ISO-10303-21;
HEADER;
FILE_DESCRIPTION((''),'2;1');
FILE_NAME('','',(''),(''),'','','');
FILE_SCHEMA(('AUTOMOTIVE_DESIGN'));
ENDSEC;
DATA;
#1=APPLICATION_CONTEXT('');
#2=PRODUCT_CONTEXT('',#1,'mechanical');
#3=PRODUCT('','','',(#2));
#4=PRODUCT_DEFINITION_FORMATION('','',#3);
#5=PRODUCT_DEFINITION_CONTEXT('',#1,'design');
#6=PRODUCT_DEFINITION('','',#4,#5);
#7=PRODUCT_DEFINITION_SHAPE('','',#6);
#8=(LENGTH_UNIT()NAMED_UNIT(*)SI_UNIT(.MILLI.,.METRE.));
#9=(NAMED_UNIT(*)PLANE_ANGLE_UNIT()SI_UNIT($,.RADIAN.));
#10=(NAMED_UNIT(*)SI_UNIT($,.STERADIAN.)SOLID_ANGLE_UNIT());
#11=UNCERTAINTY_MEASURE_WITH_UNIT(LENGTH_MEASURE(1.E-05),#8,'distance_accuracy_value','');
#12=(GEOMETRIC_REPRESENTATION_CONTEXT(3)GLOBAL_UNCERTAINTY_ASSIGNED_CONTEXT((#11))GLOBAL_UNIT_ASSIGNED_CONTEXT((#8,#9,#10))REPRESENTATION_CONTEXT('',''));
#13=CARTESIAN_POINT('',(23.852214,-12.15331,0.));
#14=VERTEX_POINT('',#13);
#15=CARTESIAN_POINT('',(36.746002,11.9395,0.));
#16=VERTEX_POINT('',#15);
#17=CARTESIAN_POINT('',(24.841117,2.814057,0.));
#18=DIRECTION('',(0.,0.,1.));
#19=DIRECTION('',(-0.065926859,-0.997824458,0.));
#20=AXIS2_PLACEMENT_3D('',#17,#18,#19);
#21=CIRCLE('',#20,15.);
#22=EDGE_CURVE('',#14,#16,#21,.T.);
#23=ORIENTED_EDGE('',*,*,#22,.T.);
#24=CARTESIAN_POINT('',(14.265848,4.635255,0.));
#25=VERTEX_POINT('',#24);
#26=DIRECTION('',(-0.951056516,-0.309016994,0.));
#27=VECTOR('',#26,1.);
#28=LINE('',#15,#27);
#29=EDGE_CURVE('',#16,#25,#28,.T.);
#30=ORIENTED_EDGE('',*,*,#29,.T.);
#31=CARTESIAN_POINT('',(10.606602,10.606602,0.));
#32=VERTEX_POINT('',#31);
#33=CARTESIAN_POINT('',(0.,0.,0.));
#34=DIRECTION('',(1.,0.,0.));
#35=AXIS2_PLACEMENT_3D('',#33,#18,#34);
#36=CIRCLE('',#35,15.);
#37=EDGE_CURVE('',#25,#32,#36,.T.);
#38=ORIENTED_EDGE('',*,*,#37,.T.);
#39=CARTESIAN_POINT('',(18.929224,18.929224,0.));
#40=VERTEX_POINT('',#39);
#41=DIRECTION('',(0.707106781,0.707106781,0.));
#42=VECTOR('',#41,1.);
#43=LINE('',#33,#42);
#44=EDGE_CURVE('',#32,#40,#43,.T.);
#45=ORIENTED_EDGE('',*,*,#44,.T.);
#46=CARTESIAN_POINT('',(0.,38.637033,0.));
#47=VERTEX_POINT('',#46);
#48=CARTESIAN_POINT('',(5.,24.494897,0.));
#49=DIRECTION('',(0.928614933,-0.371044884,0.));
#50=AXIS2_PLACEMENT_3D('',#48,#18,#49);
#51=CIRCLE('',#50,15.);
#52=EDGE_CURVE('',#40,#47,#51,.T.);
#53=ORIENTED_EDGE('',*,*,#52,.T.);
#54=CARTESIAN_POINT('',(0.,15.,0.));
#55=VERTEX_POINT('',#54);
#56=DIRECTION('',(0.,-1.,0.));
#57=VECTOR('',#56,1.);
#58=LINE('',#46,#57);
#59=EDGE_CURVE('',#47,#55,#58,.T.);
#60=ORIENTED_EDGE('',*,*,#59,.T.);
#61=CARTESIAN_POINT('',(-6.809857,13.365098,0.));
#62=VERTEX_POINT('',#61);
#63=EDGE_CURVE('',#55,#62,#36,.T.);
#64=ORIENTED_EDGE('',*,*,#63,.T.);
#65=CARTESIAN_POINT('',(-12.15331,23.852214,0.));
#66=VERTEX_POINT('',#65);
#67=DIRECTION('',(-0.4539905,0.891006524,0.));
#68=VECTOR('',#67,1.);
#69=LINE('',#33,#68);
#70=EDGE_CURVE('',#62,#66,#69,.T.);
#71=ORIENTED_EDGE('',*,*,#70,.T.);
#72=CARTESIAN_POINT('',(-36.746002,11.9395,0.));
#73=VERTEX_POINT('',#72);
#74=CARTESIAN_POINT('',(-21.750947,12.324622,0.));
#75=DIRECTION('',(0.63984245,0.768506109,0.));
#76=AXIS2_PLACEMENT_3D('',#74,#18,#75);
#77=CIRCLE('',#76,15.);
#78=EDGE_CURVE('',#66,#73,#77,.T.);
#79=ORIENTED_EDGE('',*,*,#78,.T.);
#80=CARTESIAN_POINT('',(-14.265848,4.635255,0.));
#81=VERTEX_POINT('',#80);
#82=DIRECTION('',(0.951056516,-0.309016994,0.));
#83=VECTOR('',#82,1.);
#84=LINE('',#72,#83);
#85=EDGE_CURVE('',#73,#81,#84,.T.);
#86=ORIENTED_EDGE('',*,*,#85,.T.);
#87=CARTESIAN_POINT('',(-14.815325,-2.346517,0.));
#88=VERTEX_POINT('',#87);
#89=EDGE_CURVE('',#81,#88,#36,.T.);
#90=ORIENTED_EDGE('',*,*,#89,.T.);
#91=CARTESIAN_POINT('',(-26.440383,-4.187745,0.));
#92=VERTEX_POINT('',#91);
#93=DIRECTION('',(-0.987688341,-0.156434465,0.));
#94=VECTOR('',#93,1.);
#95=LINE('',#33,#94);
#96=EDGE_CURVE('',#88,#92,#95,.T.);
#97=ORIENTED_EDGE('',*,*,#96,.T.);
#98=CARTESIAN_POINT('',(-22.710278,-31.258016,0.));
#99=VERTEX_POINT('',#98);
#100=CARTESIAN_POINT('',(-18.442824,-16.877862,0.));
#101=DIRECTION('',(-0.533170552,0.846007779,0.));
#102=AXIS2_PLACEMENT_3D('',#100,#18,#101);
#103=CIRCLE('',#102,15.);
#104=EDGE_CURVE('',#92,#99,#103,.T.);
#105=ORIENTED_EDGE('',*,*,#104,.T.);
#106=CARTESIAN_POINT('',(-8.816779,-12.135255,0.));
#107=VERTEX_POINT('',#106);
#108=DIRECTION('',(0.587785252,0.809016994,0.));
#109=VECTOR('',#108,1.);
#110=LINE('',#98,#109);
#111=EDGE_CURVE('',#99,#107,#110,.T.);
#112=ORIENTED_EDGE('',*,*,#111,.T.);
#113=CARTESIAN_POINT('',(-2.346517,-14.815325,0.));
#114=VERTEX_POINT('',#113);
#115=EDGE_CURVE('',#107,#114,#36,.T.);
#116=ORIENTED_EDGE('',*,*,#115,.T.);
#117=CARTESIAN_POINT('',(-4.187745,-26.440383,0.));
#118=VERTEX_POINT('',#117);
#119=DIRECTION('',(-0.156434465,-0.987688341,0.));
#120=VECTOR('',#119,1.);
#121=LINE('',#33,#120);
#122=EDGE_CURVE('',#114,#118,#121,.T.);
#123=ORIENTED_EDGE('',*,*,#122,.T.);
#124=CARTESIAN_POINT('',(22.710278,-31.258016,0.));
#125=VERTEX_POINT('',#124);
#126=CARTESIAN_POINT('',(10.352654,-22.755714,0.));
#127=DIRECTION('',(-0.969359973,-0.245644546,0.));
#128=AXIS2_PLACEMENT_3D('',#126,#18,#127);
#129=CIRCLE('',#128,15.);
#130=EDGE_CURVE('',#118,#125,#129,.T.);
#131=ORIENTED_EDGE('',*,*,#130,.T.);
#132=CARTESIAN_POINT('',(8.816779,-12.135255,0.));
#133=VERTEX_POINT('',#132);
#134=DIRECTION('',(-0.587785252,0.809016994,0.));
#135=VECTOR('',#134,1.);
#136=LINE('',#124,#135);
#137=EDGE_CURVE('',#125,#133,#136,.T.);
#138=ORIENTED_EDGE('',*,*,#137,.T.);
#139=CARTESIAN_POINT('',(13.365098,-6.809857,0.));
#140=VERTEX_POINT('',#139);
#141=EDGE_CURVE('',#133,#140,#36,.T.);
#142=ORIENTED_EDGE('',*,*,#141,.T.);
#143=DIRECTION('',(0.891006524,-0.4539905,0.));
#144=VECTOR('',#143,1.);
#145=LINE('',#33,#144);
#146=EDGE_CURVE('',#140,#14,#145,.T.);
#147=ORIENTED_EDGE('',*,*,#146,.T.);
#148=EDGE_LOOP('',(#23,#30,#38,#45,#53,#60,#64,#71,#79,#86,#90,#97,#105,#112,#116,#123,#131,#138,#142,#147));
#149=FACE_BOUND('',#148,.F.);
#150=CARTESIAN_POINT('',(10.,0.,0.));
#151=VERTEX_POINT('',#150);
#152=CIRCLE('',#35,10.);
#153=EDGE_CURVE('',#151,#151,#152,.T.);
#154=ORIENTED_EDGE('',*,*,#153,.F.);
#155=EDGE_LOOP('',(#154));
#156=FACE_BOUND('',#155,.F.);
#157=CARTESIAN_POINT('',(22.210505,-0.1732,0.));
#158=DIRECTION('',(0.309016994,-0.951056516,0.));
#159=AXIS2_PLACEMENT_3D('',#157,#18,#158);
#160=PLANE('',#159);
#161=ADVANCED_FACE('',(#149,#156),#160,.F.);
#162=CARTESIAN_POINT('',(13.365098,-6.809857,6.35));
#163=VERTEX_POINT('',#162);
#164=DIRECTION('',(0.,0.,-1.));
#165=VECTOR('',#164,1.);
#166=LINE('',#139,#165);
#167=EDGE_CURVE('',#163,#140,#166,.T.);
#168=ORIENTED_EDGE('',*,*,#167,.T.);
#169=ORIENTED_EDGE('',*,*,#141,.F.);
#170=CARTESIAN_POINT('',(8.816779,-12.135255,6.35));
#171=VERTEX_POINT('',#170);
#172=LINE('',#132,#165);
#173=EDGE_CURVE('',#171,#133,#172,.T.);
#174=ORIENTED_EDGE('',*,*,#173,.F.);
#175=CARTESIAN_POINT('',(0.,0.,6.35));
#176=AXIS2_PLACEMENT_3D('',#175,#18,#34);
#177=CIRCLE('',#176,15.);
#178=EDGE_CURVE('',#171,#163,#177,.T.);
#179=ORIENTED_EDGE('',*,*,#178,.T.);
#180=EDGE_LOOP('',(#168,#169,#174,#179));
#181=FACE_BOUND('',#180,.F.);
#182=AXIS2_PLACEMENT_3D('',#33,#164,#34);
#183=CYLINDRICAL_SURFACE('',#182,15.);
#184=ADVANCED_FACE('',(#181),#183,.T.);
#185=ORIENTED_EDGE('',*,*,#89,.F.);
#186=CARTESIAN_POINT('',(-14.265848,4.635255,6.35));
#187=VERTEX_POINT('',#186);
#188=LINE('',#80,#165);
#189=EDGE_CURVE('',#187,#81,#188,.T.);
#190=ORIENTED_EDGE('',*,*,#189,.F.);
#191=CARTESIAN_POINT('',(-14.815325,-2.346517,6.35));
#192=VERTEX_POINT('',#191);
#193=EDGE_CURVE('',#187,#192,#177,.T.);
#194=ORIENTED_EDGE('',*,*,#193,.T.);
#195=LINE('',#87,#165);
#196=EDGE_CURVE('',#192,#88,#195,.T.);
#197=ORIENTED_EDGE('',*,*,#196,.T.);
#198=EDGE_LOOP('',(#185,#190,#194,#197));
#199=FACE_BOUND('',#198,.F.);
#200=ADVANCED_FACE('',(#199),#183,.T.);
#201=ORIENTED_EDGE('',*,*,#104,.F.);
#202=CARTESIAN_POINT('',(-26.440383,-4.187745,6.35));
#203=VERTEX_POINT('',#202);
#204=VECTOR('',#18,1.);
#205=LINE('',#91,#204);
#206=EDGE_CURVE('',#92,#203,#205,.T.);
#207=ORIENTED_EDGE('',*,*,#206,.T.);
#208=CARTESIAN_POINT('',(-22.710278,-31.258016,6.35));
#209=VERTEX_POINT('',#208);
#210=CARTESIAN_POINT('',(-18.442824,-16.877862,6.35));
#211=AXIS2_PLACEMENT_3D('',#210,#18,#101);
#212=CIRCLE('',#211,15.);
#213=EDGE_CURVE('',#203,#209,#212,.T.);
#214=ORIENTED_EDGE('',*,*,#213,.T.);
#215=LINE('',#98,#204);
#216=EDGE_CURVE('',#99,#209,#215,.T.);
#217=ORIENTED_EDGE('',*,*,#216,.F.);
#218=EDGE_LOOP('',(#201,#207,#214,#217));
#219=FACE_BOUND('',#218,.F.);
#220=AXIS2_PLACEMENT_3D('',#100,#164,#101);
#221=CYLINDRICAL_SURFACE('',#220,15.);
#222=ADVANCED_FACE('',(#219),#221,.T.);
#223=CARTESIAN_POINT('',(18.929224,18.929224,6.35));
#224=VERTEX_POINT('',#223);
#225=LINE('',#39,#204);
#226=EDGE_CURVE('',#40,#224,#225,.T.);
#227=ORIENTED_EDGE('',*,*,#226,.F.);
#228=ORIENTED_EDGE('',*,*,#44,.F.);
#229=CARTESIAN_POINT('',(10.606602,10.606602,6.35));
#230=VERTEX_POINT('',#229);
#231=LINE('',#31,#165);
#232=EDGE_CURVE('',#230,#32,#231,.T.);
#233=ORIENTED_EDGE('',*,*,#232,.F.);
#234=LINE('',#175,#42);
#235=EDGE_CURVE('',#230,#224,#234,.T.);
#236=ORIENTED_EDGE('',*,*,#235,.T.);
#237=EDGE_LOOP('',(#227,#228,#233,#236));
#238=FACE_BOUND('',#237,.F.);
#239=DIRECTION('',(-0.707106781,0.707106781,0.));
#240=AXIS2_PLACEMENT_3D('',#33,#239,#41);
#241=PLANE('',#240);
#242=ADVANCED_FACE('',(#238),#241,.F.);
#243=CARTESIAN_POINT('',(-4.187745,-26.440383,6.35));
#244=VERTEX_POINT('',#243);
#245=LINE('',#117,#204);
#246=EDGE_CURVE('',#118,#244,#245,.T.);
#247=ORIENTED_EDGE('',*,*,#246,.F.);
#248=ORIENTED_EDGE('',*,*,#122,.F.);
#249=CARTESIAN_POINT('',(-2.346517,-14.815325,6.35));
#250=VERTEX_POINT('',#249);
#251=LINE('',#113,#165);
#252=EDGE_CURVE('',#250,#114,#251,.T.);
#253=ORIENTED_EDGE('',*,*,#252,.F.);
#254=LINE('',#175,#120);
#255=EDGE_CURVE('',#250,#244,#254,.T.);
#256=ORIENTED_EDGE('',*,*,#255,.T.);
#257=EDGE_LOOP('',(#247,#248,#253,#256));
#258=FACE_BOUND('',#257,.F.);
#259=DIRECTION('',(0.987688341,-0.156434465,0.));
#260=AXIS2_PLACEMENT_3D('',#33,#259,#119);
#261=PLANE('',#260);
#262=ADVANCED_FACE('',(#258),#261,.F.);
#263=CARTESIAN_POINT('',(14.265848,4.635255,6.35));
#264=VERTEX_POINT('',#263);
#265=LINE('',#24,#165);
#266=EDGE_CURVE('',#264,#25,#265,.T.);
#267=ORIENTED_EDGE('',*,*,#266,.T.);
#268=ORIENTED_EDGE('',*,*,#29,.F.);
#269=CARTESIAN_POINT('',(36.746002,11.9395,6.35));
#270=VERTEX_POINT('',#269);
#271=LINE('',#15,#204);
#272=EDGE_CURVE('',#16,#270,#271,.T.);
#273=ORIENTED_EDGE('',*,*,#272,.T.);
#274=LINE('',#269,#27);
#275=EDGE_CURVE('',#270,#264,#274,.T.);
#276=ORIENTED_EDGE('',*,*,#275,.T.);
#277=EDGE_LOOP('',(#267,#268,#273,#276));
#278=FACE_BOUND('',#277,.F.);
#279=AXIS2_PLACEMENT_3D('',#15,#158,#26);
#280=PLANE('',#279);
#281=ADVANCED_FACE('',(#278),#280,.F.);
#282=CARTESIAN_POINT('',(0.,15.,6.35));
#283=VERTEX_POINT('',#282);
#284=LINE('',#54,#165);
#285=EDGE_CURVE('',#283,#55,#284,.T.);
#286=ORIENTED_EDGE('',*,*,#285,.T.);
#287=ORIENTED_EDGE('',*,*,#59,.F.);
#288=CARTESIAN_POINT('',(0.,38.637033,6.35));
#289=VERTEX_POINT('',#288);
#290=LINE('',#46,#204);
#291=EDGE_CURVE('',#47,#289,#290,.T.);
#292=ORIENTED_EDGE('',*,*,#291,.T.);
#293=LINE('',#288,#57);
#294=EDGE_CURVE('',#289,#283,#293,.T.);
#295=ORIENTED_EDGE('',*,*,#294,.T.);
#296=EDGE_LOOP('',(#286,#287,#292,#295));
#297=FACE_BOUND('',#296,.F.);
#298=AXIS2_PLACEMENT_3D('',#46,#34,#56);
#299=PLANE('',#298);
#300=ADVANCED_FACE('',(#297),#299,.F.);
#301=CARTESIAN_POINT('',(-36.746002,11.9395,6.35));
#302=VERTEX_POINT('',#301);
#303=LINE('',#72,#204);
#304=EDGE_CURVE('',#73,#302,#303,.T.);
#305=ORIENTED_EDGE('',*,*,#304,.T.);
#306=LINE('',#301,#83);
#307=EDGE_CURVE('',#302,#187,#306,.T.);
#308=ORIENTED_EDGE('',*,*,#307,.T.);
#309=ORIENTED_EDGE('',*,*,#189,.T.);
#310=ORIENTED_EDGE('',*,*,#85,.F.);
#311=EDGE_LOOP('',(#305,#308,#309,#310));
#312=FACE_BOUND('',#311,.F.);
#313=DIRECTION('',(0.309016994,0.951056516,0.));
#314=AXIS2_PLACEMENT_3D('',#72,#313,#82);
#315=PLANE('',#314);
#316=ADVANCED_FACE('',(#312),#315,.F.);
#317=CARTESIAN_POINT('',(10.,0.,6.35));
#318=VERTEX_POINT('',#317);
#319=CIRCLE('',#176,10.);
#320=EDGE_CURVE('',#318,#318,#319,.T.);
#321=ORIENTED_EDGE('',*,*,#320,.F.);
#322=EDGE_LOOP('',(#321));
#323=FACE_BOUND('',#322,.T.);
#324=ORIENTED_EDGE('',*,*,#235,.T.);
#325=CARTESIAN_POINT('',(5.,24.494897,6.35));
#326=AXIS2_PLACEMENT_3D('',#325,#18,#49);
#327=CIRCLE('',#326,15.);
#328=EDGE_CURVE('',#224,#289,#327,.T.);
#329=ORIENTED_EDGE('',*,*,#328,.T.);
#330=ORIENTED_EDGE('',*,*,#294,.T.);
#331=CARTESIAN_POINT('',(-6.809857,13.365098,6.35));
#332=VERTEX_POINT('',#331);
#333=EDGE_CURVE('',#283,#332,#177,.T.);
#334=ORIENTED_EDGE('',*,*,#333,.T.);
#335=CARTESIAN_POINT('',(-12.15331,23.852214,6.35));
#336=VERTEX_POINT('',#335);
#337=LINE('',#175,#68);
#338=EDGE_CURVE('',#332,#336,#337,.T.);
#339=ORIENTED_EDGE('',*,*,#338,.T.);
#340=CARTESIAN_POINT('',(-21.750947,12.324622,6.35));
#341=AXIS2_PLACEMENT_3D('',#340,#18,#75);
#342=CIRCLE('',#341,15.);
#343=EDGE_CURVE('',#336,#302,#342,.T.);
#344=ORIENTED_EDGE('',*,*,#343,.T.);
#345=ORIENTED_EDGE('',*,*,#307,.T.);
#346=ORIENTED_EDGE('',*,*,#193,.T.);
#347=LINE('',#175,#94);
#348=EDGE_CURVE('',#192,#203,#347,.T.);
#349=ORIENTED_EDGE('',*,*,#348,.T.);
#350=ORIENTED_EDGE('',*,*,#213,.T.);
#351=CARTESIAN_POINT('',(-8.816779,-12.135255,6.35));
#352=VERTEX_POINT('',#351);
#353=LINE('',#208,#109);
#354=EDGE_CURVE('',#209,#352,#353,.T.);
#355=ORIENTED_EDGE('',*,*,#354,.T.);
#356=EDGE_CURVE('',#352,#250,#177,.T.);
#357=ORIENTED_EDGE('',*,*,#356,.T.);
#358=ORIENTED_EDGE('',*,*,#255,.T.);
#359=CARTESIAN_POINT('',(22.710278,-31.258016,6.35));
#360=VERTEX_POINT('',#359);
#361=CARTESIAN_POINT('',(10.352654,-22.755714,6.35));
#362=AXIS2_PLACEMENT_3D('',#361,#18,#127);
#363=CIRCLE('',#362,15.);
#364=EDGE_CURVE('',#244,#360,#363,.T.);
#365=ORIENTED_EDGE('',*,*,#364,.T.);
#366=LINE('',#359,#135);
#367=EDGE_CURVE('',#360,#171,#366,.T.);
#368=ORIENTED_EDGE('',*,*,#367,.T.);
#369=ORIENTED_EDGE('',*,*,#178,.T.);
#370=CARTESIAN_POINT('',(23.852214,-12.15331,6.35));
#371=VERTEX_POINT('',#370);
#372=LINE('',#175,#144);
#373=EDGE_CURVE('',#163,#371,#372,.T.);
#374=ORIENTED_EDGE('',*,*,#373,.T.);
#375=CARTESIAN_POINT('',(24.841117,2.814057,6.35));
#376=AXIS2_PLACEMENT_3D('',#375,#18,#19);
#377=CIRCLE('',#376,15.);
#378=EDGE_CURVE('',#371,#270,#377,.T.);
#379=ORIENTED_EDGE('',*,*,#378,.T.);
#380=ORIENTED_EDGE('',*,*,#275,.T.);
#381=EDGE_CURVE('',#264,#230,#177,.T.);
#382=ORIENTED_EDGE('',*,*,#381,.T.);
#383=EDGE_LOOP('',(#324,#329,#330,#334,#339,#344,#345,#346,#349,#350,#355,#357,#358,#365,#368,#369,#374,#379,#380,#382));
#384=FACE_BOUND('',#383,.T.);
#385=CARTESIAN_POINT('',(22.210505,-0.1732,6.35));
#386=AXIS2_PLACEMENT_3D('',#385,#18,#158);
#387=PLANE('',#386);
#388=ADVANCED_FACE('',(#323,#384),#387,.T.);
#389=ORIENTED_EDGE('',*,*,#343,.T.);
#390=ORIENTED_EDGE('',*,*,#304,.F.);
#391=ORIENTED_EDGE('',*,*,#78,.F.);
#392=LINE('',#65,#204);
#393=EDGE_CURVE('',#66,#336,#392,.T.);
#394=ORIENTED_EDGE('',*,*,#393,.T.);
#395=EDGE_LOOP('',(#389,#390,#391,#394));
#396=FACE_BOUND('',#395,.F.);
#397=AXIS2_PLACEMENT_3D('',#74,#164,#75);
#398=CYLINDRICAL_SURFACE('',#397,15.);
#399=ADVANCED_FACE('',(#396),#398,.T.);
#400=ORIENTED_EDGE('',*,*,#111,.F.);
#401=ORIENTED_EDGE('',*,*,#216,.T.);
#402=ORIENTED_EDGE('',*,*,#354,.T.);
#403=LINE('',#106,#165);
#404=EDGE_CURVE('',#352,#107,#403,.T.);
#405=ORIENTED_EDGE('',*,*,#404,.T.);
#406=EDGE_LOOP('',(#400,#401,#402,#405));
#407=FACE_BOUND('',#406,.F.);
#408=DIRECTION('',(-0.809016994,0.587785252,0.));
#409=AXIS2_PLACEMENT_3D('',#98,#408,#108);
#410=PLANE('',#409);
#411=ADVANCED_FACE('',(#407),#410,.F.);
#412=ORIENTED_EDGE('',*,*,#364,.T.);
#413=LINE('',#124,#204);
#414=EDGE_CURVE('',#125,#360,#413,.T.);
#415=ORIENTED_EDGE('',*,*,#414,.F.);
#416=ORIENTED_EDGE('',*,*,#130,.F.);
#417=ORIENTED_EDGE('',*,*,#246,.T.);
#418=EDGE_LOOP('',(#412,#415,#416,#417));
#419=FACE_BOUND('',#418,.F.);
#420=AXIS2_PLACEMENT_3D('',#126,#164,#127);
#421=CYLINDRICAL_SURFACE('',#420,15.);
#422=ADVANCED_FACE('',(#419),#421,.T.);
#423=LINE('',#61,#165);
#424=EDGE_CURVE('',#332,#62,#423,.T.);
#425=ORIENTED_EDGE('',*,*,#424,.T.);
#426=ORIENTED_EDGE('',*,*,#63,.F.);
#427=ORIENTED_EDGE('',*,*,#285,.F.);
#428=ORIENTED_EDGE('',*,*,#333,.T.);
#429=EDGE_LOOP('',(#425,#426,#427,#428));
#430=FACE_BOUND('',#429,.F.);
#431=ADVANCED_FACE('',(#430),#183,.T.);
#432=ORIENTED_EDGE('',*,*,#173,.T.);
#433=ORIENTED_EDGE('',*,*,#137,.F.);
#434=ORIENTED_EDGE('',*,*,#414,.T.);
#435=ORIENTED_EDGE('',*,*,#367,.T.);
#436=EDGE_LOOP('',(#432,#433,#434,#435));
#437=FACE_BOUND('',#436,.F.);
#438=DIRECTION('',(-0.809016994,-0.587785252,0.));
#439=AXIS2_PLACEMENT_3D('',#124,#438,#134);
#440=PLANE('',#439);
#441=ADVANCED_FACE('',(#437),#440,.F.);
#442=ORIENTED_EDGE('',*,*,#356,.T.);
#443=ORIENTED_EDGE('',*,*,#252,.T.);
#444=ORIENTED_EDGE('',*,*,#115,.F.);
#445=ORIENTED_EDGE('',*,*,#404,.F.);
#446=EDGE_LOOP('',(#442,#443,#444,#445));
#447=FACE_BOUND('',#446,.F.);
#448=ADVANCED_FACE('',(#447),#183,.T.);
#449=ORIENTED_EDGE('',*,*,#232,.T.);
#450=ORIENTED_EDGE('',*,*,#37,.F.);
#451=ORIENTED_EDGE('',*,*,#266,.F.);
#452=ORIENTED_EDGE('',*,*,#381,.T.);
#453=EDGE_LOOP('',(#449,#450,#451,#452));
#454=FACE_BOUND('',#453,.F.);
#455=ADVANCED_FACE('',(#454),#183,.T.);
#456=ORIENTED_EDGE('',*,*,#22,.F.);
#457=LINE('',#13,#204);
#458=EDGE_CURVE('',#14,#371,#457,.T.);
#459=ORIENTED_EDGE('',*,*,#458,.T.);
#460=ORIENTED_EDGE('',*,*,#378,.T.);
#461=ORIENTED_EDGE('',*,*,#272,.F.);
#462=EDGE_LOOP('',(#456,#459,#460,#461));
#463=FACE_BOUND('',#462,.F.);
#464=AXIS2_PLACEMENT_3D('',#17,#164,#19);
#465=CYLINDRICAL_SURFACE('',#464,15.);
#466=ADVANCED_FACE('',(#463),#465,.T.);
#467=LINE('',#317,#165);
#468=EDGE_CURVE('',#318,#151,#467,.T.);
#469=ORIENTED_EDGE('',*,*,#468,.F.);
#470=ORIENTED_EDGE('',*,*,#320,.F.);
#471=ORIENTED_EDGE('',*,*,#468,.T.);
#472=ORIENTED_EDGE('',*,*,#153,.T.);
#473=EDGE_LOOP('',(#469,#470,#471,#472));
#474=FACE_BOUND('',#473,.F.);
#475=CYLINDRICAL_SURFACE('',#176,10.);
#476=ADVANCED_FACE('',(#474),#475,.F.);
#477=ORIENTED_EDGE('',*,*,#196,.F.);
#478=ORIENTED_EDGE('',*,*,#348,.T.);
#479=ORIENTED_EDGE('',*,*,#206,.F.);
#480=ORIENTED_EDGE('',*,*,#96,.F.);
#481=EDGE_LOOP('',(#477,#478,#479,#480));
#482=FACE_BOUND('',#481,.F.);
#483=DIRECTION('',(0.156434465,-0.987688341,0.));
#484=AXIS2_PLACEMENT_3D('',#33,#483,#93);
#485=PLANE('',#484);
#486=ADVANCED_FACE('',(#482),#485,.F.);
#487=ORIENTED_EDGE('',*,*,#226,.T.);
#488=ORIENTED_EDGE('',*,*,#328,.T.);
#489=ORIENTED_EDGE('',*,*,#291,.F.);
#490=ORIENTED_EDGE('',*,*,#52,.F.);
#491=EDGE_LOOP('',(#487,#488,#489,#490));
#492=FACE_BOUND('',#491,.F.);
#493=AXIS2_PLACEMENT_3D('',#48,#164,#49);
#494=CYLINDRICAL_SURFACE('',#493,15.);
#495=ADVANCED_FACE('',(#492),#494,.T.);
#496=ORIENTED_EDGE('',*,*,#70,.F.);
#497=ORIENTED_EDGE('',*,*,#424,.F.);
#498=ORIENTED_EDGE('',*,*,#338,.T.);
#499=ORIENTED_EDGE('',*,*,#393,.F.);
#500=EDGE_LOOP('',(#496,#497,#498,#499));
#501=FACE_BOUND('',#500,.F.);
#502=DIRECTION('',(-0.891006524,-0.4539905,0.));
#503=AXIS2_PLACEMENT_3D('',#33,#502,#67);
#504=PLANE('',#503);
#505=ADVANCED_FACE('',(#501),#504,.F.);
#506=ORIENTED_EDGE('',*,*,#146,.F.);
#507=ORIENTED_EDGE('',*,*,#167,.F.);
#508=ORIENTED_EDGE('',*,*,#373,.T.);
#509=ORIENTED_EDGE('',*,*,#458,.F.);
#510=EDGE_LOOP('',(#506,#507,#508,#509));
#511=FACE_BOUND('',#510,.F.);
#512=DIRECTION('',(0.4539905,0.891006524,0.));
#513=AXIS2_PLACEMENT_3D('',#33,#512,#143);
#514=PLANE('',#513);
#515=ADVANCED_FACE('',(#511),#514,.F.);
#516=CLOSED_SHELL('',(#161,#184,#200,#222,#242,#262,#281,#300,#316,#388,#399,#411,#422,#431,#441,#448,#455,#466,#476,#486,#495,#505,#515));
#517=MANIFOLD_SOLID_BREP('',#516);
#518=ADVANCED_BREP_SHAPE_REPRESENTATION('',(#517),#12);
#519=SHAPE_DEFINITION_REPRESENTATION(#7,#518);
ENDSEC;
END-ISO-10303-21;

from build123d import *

# Parameters (mm, degrees)
F1_DEPTH = 6.35
F2_COUNT = 5
F3_R     = 15
F4_DEPTH = 6.35
F5_R     = 10
F6_DEPTH = 6.351


with BuildPart() as f1:
    # F0 (on Top) → F1 (new body)
    with BuildSketch(Plane.XY):
        with BuildLine():
            Line((0, 38.637033), (0, 0))
            Line((0, 0), (18.929224, 18.929224))
            ThreePointArc((18.929224, 18.929224), (15.818142, 34.885653), (0, 38.637033))
        make_face()
    extrude(amount=F1_DEPTH)



with BuildPart() as f2_1:
    # F2: instance of F1
    add(f1.part.rotate(Axis((0, 0, 3.175), (0, 0, 1)), 1 * 360 / F2_COUNT))


with BuildPart() as f2_2:
    # F2: instance of F1
    add(f1.part.rotate(Axis((0, 0, 3.175), (0, 0, 1)), 2 * 360 / F2_COUNT))


with BuildPart() as f2_3:
    # F2: instance of F1
    add(f1.part.rotate(Axis((0, 0, 3.175), (0, 0, 1)), 3 * 360 / F2_COUNT))


with BuildPart() as f2_4:
    # F2: instance of F1
    add(f1.part.rotate(Axis((0, 0, 3.175), (0, 0, 1)), 4 * 360 / F2_COUNT))


with BuildPart() as f1_1:
    add(f1.part)

    add(f2_1.part)  # F4 merges F2_1

    add(f2_2.part)  # F4 merges F2_2

    add(f2_3.part)  # F4 merges F2_3

    add(f2_4.part)  # F4 merges F2_4
    # F3 (on Top) → F4 (join, through all)
    with BuildSketch(Plane.XY):
        Circle(F3_R)
    extrude(amount=F4_DEPTH)

    # F5 (on face) → F6 (cut, through all)
    with BuildSketch(Plane.XY.offset(6.35)):
        Circle(F5_R)
    extrude(amount=-F6_DEPTH, mode=Mode.SUBTRACT)


solid = f1_1.part
